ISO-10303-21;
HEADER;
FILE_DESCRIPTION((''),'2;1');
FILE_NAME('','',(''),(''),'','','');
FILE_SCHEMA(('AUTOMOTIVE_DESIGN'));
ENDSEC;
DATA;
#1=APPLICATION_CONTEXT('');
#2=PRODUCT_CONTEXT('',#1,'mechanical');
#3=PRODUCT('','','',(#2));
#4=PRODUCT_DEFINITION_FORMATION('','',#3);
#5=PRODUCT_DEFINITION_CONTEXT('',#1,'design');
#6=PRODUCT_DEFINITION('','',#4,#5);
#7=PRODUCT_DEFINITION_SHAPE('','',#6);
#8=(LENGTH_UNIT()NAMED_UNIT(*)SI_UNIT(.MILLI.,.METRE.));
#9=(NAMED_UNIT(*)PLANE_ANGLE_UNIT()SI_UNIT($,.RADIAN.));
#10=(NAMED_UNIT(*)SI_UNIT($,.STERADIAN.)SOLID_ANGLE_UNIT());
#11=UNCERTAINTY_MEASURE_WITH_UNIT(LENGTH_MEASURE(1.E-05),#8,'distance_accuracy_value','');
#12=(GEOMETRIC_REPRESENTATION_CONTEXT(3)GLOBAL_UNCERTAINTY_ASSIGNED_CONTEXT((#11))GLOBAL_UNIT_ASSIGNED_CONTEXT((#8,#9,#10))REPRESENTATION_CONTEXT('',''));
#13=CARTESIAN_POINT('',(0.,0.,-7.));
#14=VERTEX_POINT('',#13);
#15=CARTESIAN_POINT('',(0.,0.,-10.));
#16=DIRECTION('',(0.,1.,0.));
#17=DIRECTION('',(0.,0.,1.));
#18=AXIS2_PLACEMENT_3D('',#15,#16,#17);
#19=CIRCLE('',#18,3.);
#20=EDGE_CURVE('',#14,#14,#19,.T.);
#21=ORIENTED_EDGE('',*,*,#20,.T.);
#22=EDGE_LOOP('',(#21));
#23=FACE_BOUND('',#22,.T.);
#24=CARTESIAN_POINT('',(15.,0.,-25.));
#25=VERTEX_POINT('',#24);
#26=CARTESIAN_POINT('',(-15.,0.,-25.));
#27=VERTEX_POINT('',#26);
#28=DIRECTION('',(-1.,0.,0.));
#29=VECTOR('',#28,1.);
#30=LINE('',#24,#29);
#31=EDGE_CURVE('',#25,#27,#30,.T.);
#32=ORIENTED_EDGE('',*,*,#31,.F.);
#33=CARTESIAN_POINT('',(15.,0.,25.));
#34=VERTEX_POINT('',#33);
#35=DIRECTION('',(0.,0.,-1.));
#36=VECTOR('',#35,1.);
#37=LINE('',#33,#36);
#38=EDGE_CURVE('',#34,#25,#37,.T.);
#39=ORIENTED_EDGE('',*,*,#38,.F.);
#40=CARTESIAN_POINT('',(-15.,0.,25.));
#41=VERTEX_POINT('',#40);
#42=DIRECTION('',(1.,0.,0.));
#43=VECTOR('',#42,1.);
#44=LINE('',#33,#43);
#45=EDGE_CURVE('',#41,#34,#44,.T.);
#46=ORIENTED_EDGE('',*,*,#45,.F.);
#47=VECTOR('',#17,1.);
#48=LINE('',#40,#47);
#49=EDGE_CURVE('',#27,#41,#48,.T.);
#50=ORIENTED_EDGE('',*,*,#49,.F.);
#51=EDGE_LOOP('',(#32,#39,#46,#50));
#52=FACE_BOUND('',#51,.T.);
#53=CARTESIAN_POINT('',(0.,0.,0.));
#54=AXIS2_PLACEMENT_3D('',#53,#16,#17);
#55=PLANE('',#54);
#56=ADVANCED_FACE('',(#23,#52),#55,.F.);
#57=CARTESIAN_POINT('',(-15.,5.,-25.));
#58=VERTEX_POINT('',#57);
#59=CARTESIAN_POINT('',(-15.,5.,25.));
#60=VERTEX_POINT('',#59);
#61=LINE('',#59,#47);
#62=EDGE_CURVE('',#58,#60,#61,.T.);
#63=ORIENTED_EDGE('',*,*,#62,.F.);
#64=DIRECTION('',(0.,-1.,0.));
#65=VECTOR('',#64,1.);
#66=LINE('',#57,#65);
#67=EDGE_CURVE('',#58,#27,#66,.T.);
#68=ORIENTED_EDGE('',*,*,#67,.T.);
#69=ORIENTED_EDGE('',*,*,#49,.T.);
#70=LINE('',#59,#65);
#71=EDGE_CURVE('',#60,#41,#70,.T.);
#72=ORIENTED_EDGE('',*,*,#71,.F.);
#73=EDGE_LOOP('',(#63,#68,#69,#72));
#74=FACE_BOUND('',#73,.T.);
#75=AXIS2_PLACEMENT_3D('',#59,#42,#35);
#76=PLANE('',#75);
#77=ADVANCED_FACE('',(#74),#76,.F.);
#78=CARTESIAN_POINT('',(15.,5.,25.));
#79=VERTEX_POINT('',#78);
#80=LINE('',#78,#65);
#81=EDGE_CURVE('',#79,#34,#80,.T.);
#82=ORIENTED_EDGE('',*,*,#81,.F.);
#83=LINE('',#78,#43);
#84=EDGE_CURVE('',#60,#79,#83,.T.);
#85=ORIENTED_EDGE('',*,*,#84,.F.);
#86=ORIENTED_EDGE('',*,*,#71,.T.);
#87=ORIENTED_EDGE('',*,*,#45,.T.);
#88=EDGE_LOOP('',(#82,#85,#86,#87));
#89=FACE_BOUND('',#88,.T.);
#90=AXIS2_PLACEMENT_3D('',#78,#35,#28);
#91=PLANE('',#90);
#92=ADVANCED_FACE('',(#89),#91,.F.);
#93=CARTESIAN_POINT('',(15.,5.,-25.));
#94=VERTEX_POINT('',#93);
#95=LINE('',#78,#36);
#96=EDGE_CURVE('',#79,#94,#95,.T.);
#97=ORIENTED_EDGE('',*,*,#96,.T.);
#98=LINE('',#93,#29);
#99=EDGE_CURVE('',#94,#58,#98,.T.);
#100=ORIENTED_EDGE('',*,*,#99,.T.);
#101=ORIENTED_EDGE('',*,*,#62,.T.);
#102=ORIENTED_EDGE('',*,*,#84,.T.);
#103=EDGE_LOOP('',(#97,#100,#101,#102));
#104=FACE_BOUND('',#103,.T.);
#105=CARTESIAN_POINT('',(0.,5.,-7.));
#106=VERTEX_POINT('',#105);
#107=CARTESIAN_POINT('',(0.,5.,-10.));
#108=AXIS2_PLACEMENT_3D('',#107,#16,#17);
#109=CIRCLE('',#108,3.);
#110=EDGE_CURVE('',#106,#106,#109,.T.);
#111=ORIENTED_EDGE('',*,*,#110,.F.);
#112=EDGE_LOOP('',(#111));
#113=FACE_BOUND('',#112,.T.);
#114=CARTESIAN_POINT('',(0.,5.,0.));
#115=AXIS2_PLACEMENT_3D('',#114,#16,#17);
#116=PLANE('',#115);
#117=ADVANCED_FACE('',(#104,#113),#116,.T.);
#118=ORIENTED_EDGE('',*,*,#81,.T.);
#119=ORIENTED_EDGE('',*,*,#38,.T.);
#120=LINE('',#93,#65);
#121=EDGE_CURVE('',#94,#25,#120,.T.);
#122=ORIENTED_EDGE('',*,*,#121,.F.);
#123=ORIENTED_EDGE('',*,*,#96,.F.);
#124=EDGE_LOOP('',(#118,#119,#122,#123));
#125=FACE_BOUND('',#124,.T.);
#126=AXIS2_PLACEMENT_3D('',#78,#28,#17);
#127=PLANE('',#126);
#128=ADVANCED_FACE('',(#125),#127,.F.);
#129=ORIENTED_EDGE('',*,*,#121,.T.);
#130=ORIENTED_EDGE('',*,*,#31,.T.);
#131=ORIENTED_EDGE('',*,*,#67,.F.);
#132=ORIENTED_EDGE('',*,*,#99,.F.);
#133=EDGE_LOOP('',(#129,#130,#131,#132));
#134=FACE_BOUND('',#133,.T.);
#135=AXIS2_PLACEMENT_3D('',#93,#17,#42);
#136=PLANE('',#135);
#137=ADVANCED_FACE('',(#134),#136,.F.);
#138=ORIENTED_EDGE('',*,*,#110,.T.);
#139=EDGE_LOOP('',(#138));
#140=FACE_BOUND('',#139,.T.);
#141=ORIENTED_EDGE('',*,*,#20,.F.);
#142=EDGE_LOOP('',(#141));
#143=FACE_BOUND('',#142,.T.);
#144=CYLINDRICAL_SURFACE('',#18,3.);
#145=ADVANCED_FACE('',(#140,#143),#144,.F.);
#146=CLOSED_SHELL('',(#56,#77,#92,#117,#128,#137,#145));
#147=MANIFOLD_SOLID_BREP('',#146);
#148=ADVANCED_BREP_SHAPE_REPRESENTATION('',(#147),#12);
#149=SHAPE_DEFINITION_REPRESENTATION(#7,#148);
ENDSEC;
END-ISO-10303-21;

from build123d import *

# Parameters (mm, degrees)
SKETCH1_W           = 30
SKETCH1_H           = 50
BOSS_EXTRUDE1_DEPTH = 5
SKETCH2_R           = 3
CUT_EXTRUDE1_DEPTH  = 5


with BuildPart() as part:
    # Sketch1 → Boss-Extrude1 (new body)
    with BuildSketch(Plane(origin=(0, 0, 0), x_dir=(1, 0, 0), z_dir=(0, 1, 0))):
        Rectangle(SKETCH1_W, SKETCH1_H)
    extrude(amount=BOSS_EXTRUDE1_DEPTH)

    # Sketch2 → Cut-Extrude1 (cut)
    with BuildSketch(Plane(origin=(0, 5, 0), x_dir=(1, 0, 0), z_dir=(0, 1, 0))):
        with Locations((0, 10)):
            Circle(SKETCH2_R)
    extrude(amount=-CUT_EXTRUDE1_DEPTH, mode=Mode.SUBTRACT)


solid = part.part
